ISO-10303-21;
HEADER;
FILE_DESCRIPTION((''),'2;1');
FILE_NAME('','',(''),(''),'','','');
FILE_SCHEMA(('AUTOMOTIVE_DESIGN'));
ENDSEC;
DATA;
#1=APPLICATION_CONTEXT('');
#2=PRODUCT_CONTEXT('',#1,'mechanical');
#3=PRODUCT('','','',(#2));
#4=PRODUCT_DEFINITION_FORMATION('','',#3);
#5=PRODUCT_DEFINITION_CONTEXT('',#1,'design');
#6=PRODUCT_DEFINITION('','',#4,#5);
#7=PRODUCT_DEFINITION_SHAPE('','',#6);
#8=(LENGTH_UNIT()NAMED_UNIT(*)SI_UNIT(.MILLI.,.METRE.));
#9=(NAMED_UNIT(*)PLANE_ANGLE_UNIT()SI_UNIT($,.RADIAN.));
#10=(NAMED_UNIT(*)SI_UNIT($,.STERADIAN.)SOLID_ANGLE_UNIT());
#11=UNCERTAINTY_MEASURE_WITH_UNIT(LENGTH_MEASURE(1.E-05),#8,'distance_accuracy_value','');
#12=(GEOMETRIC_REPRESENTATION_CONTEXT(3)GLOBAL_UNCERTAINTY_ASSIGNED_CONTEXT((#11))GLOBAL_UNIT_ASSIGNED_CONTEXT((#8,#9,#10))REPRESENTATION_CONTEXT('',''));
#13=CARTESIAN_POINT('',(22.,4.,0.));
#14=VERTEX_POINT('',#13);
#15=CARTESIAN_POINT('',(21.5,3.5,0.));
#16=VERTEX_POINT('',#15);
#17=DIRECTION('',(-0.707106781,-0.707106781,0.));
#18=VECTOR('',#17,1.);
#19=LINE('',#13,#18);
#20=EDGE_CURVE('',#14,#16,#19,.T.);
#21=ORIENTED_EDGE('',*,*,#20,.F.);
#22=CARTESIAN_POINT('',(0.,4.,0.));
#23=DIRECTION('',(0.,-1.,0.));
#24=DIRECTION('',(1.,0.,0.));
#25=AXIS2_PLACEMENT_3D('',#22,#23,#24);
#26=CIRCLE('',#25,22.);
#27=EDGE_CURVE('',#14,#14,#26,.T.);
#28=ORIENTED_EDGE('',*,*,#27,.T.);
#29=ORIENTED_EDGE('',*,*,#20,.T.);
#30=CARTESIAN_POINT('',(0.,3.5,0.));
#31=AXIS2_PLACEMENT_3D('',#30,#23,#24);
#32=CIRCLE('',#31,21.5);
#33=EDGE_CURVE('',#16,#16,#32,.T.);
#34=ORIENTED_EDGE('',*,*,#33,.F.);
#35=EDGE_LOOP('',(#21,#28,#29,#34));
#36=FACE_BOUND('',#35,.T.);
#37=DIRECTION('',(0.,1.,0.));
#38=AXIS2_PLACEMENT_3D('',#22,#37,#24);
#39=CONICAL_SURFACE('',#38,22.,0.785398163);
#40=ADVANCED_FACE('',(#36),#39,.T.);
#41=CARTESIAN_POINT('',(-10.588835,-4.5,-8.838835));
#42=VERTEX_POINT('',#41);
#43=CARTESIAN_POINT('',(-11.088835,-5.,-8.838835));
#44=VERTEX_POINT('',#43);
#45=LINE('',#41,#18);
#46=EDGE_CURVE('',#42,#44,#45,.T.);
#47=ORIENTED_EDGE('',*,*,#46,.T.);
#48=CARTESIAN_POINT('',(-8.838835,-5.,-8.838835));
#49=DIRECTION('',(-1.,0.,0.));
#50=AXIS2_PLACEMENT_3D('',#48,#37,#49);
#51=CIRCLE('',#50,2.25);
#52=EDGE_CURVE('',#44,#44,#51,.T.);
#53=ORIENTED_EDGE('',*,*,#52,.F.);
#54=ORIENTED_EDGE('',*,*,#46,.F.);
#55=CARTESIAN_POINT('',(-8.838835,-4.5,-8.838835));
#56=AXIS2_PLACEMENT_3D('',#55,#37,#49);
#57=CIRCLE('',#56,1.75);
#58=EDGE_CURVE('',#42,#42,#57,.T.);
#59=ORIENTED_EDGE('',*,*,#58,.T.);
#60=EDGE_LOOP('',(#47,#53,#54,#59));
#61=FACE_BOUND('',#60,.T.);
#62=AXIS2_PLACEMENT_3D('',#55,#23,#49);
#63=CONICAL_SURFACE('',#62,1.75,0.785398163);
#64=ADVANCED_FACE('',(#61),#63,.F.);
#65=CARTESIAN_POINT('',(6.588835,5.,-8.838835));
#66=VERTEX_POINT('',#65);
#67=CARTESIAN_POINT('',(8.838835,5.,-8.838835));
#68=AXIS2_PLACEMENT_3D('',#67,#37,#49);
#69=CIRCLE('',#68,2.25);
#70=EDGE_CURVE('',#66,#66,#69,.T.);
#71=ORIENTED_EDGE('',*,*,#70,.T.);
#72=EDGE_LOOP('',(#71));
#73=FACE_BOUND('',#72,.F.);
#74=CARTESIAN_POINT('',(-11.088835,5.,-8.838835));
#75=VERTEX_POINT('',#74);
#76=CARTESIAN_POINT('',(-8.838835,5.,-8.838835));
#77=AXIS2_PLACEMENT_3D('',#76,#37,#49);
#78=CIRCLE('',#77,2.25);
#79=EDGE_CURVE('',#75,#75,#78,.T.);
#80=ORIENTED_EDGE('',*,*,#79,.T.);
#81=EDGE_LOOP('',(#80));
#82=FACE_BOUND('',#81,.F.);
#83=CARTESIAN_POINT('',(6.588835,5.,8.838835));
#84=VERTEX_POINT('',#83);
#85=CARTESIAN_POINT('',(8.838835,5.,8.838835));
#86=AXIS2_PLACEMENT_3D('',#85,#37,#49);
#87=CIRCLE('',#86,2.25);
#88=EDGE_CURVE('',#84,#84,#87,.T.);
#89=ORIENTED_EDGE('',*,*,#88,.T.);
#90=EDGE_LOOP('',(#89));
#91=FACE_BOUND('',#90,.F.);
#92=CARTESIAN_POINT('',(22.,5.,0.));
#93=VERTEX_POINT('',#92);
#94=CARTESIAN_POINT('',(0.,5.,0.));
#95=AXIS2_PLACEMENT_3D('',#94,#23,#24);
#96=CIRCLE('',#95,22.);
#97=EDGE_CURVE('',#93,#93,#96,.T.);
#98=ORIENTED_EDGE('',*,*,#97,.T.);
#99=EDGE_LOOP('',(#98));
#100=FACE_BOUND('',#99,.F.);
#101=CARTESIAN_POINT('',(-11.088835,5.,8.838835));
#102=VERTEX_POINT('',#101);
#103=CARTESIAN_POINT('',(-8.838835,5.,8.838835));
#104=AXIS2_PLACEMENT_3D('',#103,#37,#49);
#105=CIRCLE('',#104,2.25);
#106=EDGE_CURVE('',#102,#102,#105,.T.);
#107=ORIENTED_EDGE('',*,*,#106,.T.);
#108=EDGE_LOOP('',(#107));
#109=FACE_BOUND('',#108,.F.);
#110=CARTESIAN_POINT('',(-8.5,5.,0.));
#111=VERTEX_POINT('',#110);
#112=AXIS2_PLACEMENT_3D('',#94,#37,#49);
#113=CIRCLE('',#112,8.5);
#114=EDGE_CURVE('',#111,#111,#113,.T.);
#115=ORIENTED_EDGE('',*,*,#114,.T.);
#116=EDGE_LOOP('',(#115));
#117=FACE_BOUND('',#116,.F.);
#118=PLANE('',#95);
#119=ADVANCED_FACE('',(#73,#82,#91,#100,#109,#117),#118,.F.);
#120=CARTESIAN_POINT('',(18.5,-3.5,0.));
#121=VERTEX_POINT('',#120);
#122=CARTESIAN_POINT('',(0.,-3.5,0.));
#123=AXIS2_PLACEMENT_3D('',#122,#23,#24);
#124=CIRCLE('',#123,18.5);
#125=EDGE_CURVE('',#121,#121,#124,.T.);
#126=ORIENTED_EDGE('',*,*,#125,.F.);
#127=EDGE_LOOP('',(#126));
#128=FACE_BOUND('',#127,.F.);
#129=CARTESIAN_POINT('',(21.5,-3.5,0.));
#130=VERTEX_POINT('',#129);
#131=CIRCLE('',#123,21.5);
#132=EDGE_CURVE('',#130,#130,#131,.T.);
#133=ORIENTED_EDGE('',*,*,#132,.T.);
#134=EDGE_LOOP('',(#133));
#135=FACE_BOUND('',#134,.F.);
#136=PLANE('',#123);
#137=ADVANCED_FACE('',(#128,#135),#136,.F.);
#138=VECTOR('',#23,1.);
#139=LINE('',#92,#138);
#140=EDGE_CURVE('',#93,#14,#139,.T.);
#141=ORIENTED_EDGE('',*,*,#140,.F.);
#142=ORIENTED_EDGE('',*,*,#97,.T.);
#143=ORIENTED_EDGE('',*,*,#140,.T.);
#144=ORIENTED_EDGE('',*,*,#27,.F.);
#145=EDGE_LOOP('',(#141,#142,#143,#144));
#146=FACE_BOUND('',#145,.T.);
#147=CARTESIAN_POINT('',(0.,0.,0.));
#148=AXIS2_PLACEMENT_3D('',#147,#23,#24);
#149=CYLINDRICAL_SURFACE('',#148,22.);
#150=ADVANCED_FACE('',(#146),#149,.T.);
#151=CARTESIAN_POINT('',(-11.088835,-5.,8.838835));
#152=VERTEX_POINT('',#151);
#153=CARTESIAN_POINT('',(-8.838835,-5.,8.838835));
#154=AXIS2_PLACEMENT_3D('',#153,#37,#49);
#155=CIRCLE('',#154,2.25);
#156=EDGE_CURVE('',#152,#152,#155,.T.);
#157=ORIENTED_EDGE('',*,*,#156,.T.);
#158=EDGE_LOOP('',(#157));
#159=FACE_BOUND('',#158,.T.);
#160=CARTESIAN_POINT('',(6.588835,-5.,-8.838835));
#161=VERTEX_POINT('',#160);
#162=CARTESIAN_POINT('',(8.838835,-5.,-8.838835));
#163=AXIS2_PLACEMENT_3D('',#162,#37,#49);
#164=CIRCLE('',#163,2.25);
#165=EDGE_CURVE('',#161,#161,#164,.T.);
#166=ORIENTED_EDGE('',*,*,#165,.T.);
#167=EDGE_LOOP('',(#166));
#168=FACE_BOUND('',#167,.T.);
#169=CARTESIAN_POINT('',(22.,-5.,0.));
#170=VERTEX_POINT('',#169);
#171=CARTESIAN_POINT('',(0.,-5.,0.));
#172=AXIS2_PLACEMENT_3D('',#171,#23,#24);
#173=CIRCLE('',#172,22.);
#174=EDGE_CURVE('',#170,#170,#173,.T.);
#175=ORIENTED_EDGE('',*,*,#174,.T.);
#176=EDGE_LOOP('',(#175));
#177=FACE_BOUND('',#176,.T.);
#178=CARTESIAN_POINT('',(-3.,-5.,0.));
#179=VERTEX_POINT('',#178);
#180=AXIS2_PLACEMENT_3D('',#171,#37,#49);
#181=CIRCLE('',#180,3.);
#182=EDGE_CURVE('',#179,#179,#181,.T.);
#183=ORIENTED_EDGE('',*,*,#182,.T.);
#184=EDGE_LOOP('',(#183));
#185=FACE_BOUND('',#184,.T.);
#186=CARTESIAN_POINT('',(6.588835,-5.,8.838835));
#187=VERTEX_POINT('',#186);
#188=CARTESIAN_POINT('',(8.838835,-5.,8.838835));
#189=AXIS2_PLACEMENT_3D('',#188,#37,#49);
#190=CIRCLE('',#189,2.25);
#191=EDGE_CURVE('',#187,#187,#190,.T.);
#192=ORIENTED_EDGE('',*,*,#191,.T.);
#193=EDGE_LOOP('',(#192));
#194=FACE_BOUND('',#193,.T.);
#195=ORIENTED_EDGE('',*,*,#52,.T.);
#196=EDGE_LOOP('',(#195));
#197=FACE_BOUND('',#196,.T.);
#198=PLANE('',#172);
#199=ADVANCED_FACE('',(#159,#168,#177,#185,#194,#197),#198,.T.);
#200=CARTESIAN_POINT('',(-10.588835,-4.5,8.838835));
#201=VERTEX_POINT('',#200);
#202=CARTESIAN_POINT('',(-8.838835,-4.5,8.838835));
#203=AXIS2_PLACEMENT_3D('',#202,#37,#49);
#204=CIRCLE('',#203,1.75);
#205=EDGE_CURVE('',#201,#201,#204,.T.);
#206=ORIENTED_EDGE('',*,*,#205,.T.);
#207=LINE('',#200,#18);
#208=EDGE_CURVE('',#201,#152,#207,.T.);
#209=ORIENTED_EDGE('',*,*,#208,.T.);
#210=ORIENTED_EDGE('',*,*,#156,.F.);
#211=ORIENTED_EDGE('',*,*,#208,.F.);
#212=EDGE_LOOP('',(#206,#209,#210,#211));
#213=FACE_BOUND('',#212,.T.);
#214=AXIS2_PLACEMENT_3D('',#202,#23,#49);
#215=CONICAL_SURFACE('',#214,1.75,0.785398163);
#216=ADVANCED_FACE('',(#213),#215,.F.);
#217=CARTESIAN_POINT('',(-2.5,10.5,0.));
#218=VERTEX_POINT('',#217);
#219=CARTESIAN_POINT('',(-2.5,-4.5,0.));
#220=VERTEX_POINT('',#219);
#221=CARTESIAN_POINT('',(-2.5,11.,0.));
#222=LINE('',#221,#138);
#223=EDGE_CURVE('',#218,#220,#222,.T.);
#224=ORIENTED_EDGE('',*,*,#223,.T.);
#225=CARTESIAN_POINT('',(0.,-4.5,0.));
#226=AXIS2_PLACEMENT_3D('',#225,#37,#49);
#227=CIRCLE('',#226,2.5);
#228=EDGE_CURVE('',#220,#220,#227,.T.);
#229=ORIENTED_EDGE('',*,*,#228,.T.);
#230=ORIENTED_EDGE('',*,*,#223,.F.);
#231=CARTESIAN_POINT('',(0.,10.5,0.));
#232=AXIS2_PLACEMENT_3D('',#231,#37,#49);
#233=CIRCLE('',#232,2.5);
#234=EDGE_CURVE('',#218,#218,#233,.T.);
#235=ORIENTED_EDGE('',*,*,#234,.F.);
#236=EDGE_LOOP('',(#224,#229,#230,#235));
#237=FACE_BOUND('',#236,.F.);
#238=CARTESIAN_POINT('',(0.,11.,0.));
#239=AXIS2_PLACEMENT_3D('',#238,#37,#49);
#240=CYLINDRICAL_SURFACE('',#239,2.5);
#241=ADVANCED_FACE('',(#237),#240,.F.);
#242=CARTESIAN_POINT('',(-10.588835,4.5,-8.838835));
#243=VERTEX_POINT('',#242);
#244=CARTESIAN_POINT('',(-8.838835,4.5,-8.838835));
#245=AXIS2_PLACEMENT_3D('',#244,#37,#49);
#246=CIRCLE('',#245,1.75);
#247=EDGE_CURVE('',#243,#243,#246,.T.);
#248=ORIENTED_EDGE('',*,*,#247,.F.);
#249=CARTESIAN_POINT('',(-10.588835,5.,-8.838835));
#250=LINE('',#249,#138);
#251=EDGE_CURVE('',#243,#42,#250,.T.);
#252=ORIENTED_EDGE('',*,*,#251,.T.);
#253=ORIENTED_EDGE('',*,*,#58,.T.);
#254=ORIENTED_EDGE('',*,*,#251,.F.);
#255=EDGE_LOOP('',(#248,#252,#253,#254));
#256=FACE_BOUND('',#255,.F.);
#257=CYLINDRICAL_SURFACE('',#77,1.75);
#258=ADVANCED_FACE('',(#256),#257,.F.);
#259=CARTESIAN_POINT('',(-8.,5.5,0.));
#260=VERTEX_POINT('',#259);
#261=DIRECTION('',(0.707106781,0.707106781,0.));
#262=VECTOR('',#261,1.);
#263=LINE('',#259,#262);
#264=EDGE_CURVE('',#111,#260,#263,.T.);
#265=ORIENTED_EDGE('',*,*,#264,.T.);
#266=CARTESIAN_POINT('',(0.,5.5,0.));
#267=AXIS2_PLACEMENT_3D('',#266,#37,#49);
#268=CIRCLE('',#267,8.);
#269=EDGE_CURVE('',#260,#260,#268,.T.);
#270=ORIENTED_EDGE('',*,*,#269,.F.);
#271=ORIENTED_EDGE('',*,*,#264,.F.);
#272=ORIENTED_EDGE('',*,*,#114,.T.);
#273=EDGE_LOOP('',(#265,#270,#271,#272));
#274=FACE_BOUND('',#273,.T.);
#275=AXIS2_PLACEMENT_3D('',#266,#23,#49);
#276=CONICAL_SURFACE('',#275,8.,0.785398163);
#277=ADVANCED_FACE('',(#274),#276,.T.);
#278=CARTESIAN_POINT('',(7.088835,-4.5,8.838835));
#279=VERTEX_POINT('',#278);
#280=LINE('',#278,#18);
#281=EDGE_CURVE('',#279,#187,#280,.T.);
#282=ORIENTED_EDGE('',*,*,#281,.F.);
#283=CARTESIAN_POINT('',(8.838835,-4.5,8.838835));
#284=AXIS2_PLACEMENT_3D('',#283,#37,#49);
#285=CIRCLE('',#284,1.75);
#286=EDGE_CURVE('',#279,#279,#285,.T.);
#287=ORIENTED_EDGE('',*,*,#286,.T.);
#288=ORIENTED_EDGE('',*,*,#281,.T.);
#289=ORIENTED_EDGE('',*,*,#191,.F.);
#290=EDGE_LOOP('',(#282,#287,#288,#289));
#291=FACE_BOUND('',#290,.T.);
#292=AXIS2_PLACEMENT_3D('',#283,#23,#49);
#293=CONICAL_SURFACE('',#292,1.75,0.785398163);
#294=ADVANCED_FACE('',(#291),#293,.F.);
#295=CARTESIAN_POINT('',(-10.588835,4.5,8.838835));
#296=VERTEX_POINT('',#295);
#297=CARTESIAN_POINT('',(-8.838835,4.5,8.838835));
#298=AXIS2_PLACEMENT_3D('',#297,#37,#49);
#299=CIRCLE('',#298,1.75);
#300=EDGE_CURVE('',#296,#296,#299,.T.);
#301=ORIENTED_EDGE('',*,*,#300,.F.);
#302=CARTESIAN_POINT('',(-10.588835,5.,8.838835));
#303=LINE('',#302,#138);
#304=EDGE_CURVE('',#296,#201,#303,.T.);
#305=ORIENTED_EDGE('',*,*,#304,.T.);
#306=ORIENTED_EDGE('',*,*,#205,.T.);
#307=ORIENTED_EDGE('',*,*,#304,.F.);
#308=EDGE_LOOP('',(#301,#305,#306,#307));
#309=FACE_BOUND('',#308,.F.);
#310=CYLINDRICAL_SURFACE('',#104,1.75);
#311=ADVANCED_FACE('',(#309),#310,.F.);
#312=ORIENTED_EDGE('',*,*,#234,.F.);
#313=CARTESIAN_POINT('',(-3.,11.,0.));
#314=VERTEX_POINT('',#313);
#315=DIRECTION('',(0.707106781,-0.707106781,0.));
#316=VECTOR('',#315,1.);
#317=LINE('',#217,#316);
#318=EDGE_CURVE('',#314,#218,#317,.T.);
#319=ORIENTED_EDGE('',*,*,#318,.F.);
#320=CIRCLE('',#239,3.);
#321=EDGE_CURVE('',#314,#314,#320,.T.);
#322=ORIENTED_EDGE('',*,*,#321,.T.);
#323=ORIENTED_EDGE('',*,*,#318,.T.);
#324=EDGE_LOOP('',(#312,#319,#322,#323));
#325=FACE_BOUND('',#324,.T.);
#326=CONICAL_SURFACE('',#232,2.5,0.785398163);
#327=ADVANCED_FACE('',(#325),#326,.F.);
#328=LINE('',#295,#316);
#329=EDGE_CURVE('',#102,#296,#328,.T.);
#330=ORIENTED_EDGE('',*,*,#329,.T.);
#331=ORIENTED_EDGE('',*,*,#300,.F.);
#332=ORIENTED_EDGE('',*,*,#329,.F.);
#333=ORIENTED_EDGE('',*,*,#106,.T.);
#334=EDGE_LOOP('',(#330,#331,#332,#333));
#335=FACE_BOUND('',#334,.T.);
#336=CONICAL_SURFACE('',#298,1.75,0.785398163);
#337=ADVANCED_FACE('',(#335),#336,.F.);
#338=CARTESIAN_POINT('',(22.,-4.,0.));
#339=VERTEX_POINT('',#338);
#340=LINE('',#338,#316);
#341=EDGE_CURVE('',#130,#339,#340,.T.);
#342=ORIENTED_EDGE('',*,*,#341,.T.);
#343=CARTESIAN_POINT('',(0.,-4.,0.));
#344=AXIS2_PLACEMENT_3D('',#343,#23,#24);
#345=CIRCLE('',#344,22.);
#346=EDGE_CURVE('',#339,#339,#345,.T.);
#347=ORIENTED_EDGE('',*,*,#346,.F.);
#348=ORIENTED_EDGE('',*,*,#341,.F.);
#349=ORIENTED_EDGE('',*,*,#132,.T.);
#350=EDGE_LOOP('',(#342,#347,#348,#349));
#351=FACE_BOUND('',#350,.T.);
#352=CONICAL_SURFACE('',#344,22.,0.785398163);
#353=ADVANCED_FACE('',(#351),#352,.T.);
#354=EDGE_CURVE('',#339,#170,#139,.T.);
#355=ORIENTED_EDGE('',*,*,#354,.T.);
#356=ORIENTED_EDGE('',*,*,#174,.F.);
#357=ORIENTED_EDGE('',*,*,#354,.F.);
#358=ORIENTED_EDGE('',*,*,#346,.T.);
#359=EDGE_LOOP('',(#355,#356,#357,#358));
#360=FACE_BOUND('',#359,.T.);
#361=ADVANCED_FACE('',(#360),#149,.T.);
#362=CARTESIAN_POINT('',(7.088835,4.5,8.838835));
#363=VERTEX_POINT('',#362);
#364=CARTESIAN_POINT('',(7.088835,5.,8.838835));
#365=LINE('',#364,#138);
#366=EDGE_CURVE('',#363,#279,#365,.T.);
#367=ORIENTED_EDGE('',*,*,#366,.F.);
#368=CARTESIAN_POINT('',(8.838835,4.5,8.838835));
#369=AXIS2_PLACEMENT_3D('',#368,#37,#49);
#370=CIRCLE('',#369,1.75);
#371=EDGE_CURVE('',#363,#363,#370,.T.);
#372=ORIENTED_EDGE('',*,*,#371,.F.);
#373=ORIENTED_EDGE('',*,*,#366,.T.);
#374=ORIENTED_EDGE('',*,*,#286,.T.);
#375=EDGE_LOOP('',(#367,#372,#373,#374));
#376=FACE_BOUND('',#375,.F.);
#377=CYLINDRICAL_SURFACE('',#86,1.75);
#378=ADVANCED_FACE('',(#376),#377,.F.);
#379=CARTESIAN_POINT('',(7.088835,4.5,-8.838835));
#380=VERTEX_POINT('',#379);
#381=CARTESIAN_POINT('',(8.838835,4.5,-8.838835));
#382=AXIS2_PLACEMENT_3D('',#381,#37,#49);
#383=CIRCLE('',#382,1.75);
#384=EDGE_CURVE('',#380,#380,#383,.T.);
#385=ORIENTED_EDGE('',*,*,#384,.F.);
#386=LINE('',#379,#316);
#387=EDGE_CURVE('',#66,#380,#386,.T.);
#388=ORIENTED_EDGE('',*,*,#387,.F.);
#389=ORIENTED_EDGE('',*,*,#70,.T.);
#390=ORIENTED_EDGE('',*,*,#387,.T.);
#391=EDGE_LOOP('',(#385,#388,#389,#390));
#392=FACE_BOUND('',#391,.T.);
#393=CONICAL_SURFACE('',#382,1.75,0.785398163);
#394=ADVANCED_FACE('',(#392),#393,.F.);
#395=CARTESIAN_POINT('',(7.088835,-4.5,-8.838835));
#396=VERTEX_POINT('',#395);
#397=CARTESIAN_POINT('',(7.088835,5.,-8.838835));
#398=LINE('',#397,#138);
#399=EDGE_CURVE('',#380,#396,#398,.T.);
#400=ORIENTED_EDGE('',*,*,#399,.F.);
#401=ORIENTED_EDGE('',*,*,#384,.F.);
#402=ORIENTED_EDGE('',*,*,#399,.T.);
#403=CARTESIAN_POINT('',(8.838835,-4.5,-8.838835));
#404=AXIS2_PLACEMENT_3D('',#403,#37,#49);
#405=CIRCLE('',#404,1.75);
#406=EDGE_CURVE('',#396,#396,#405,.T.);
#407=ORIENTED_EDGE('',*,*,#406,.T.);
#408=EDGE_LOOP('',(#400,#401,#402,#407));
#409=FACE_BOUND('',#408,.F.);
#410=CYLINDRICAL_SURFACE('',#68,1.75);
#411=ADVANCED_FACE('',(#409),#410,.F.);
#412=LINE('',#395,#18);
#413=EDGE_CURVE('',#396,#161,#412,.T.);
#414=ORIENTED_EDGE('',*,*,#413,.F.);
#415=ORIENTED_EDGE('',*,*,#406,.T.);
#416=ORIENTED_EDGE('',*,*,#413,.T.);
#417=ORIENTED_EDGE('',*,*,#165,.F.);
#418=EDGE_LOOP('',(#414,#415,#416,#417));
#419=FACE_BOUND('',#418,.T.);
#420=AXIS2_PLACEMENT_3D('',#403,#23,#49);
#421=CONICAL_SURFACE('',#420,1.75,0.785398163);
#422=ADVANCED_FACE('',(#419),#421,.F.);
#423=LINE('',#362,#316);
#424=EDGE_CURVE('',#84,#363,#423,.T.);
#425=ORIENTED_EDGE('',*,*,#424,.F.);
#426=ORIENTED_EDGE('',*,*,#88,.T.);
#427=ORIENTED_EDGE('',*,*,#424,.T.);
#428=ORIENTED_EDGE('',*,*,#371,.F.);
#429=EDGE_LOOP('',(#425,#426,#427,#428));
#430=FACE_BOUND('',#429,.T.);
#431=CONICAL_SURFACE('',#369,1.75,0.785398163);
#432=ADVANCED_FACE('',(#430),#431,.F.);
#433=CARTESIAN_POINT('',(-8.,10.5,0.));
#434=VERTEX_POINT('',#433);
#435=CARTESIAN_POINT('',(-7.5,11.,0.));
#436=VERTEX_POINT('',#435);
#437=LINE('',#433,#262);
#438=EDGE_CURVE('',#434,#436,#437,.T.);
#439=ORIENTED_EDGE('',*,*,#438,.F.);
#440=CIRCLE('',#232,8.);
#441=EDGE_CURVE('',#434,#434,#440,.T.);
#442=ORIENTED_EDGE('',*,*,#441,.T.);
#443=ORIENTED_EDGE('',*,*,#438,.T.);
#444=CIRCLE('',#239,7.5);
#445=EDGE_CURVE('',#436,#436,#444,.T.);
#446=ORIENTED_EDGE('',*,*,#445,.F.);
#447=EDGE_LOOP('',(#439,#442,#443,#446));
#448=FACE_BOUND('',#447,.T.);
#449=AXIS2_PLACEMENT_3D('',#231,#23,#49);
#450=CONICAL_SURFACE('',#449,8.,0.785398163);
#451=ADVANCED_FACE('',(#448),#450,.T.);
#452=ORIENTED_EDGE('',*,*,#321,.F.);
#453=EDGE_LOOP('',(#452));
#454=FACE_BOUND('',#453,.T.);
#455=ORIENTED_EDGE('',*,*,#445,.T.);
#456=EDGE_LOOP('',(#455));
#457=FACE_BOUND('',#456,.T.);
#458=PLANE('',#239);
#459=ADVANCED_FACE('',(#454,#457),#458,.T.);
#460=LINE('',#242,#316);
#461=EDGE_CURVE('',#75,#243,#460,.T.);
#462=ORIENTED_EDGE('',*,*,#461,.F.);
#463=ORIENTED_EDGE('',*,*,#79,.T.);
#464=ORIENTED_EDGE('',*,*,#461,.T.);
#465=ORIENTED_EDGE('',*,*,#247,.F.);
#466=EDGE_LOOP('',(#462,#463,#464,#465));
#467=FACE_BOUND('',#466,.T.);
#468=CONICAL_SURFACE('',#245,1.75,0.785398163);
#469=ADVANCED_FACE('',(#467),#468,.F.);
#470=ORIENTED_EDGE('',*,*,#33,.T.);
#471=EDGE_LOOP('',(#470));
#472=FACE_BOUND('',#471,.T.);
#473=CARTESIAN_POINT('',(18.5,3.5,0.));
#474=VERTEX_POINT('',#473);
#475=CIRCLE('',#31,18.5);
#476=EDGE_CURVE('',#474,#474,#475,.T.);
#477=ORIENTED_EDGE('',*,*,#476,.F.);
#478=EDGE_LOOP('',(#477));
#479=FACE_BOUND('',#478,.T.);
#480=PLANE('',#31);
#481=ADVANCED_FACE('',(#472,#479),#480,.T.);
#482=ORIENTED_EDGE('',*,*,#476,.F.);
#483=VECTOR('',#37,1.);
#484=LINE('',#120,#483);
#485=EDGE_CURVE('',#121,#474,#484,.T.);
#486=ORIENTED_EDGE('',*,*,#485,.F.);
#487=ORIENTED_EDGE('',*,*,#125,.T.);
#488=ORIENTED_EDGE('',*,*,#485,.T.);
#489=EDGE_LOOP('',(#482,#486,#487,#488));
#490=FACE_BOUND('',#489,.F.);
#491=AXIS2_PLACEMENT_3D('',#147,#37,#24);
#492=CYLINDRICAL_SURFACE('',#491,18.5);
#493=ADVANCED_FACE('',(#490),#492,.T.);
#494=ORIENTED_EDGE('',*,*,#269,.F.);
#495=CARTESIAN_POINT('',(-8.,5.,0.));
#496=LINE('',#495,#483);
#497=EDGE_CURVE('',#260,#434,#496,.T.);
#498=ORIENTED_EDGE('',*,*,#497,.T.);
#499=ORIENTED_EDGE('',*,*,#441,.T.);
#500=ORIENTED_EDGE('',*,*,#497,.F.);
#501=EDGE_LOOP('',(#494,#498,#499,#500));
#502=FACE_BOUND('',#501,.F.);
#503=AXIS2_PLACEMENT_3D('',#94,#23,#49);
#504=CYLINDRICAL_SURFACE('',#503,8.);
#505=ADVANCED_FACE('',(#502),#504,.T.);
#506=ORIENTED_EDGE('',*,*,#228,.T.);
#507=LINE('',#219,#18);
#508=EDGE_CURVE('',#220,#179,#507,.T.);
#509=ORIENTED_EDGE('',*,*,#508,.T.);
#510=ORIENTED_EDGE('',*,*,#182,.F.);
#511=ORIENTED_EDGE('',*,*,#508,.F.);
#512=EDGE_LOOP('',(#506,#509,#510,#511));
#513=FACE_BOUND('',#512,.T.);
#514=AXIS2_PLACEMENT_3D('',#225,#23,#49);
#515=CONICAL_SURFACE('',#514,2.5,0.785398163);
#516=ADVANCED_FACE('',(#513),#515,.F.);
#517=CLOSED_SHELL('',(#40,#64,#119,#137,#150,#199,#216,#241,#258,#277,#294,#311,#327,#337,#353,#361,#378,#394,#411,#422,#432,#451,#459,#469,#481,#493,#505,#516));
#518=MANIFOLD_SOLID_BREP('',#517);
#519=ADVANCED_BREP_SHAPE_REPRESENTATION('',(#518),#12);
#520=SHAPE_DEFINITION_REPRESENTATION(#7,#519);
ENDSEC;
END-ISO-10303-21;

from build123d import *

# Parameters (mm, degrees)
F0_R      = 22
F1_DEPTH  = 5
F2_R      = 30.4296764291
F2_R_2    = 18.5
F3_DEPTH  = 3.5
F4_R      = 8
F5_DEPTH  = 6
F6_R      = 2.5
F7_DEPTH  = 16.001
F8_SIZE   = 0.5
F9_R      = 1.75
F10_DEPTH = 10.001
F11_SIZE  = 0.5


with BuildPart() as f1:
    # F0 (on Front) → F1 (new body, symmetric)
    with BuildSketch(Plane.XZ):
        Circle(F0_R)
    extrude(amount=F1_DEPTH, both=True)

    # F2 (on Front) → F3 (cut, symmetric)
    with BuildSketch(Plane.XZ):
        Circle(F2_R)
        Circle(F2_R_2, mode=Mode.SUBTRACT)
    extrude(amount=F3_DEPTH, both=True, mode=Mode.SUBTRACT)

    # F4 (on face) → F5 (join)
    with BuildSketch(Plane(origin=(0, 5, 0), x_dir=(-1, 0, 0), z_dir=(0, 1, 0))):
        Circle(F4_R)
    extrude(amount=F5_DEPTH)

    # F6 (on face) → F7 (cut, through all)
    with BuildSketch(Plane(origin=(0, 11, 0), x_dir=(-1, 0, 0), z_dir=(0, 1, 0))):
        Circle(F6_R)
    extrude(amount=-F7_DEPTH, mode=Mode.SUBTRACT)

    # F8
    f8_edges = [f1.edges().sort_by_distance(p)[0] for p in [
        (8, 11, 0),
        (2.5, 11, 0),
        (8, 5, 0),
        (-22, 3.5, 0),
        (-22, -3.5, 0),
        (2.5, -5, 0),
    ]]
    chamfer(f8_edges, length=F8_SIZE)

    # F9 (on face) → F10 (cut, through all)
    with BuildSketch(Plane(origin=(0, 5, 0), x_dir=(-1, 0, 0), z_dir=(0, 1, 0))):
        with Locations((-8.8388347648, 8.8388347648)):
            Circle(F9_R)
        with Locations((-8.8388347648, -8.8388347648)):
            Circle(F9_R)
        with Locations((8.8388347648, -8.8388347648)):
            Circle(F9_R)
        with Locations((8.8388347648, 8.8388347648)):
            Circle(F9_R)
    extrude(amount=-F10_DEPTH, mode=Mode.SUBTRACT)

    # F11
    f11_edges = [f1.edges().sort_by_distance(p)[0] for p in [
        (-7.088835, -5, 8.838835),
        (-7.088835, -5, -8.838835),
        (10.588835, -5, -8.838835),
        (10.588835, -5, 8.838835),
        (10.588835, 5, 8.838835),
        (-7.088835, 5, 8.838835),
        (-7.088835, 5, -8.838835),
        (10.588835, 5, -8.838835),
    ]]
    chamfer(f11_edges, length=F11_SIZE)


solid = f1.part
